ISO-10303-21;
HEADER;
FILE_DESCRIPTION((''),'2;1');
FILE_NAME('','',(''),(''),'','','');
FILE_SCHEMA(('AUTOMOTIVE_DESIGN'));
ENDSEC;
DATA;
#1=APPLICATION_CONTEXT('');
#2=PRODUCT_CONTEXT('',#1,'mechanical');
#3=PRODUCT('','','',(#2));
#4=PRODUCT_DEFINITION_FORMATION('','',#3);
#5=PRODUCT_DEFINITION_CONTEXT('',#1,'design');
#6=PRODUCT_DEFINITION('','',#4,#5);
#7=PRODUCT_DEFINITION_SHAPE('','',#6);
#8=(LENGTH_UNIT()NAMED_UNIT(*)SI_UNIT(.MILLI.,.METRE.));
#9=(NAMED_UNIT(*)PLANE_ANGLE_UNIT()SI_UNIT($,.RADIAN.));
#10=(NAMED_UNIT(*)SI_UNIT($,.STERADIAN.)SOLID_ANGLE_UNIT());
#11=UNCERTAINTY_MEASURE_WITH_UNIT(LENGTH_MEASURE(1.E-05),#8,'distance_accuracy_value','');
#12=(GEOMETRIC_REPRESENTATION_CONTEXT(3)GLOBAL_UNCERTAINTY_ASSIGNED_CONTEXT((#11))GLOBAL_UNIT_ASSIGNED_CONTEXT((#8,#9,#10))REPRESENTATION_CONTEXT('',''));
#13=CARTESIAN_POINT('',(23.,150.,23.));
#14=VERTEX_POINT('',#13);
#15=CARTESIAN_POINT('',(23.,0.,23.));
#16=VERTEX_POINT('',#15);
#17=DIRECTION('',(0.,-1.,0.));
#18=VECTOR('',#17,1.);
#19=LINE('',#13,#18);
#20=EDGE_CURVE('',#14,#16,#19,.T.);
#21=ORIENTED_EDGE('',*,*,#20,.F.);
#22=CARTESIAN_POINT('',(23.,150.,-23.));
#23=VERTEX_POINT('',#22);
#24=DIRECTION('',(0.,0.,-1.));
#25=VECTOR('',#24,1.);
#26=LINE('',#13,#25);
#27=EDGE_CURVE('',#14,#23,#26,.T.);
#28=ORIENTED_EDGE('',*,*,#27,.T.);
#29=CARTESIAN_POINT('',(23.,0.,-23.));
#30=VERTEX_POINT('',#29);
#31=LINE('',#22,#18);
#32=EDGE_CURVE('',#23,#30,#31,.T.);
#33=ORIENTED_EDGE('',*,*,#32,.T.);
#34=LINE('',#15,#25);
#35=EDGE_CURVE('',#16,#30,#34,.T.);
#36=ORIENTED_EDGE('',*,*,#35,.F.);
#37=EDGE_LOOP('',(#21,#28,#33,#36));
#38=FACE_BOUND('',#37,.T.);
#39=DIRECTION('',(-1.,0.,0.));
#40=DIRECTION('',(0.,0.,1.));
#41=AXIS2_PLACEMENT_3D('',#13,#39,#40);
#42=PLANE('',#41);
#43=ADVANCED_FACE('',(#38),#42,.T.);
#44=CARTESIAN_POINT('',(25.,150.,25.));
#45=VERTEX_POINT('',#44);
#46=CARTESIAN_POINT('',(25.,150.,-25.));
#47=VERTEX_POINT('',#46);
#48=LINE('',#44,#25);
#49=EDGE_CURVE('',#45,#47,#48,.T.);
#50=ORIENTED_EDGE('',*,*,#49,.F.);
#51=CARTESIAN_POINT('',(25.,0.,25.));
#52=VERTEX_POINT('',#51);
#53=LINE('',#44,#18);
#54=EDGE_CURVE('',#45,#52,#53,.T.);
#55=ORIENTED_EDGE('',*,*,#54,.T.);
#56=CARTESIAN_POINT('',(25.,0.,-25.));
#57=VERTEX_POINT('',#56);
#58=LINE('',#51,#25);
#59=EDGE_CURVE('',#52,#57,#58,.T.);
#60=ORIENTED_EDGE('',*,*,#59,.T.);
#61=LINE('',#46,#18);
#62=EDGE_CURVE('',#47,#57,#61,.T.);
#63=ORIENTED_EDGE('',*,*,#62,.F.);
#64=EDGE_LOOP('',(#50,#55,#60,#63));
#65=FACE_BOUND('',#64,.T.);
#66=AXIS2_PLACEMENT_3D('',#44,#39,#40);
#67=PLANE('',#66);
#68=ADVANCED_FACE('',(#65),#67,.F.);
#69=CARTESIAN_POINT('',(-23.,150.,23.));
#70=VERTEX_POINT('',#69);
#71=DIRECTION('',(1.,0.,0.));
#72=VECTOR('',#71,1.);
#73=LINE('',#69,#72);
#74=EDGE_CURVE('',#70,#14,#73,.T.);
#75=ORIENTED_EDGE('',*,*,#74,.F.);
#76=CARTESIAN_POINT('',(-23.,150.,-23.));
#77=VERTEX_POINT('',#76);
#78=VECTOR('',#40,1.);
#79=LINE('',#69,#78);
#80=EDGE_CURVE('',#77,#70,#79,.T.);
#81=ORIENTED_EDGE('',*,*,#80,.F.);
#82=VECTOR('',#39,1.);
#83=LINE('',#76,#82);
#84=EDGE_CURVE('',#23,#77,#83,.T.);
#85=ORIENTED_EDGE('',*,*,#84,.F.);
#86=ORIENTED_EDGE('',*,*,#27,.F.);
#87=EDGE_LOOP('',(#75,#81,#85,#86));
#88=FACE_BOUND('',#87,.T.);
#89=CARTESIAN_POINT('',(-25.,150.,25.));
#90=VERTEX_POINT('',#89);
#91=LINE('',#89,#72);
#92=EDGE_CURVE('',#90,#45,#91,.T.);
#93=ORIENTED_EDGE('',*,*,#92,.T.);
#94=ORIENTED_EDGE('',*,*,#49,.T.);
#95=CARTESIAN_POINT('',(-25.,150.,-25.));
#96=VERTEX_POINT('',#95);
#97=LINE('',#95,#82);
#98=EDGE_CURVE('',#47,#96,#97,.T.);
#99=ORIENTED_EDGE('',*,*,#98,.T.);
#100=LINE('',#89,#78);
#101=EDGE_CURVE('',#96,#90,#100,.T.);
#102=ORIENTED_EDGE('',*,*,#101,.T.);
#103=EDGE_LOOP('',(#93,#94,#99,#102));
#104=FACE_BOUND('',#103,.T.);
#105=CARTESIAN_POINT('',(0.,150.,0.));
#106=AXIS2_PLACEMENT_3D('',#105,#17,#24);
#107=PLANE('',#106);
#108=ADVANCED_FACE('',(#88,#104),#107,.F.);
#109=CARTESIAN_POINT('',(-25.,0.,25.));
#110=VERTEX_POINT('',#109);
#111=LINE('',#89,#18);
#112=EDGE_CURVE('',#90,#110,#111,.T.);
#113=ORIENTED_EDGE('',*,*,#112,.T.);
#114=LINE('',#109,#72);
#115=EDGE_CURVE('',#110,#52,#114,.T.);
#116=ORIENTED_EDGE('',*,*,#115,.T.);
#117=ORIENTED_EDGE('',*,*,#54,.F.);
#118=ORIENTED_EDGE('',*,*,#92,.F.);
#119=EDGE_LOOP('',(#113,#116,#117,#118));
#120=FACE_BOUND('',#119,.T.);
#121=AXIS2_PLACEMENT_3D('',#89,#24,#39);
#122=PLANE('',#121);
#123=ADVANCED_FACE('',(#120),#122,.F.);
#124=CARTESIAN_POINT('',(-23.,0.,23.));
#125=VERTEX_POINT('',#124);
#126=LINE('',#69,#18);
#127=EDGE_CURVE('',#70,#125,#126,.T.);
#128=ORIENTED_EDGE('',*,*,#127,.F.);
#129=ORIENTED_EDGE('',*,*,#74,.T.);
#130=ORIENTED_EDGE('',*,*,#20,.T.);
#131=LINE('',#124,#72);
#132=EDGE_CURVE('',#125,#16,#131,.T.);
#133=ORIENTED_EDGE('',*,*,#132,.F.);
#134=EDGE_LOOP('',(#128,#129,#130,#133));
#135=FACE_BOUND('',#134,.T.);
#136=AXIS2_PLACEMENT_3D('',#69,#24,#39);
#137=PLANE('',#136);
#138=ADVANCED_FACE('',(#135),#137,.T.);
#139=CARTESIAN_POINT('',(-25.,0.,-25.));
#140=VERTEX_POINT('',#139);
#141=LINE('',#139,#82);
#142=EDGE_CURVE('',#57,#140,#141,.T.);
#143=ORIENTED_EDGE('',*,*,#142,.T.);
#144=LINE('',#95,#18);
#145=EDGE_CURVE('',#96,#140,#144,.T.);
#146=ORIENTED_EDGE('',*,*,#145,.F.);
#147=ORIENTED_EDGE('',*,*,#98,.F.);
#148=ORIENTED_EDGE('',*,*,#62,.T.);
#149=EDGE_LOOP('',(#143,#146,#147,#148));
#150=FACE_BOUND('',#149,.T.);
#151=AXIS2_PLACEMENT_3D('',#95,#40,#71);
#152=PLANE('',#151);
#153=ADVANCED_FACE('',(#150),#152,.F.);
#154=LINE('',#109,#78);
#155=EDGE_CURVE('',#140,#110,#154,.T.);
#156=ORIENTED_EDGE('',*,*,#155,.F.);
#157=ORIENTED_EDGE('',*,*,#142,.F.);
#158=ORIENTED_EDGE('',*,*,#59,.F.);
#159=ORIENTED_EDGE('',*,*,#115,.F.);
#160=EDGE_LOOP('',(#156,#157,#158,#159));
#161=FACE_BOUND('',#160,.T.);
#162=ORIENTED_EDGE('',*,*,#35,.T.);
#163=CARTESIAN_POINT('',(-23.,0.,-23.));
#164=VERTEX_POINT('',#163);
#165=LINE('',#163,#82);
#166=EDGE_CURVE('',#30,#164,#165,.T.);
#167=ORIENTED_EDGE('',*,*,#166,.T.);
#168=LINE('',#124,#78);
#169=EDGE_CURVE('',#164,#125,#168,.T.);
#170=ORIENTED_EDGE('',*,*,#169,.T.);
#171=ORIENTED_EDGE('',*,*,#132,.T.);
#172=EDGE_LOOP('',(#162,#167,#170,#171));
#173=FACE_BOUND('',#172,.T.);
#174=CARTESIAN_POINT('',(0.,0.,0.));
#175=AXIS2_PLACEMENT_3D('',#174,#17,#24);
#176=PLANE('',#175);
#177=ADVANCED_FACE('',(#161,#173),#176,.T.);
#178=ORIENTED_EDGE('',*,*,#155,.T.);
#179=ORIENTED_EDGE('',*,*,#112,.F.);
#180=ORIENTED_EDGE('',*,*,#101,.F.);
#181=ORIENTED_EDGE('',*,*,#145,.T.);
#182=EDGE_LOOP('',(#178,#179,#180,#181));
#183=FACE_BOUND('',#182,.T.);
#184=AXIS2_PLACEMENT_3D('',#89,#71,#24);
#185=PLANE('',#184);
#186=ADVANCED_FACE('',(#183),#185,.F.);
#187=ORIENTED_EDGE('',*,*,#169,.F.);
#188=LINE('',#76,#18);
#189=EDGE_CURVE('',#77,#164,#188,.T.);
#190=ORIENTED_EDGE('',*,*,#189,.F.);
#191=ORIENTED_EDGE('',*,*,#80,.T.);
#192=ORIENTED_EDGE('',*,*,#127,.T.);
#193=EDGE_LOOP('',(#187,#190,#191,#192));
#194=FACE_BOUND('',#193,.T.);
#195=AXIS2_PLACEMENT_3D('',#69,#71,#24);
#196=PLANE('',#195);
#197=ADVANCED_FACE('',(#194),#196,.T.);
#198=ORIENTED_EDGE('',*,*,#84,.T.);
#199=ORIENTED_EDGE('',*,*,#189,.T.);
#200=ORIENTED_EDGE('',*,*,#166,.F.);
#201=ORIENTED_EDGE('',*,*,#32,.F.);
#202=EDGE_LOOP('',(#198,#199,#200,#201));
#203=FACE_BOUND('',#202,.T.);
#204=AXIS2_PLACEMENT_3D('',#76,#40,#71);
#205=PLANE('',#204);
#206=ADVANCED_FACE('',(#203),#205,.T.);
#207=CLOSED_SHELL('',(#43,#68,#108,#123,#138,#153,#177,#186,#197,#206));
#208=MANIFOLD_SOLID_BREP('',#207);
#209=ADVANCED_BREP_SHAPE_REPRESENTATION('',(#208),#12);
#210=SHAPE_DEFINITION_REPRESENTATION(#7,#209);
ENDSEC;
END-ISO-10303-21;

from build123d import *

# Parameters (mm, degrees)
SKETCH1_W           = 50
SKETCH1_H           = 50
SKETCH1_W_2         = 46
SKETCH1_H_2         = 46
BOSS_EXTRUDE1_DEPTH = 150


with BuildPart() as part:
    # Sketch1 → Boss-Extrude1 (new body)
    with BuildSketch(Plane(origin=(0, 0, 0), x_dir=(1, 0, 0), z_dir=(0, 1, 0))):
        Rectangle(SKETCH1_W, SKETCH1_H)
        Rectangle(SKETCH1_W_2, SKETCH1_H_2, mode=Mode.SUBTRACT)
    extrude(amount=BOSS_EXTRUDE1_DEPTH)


solid = part.part
